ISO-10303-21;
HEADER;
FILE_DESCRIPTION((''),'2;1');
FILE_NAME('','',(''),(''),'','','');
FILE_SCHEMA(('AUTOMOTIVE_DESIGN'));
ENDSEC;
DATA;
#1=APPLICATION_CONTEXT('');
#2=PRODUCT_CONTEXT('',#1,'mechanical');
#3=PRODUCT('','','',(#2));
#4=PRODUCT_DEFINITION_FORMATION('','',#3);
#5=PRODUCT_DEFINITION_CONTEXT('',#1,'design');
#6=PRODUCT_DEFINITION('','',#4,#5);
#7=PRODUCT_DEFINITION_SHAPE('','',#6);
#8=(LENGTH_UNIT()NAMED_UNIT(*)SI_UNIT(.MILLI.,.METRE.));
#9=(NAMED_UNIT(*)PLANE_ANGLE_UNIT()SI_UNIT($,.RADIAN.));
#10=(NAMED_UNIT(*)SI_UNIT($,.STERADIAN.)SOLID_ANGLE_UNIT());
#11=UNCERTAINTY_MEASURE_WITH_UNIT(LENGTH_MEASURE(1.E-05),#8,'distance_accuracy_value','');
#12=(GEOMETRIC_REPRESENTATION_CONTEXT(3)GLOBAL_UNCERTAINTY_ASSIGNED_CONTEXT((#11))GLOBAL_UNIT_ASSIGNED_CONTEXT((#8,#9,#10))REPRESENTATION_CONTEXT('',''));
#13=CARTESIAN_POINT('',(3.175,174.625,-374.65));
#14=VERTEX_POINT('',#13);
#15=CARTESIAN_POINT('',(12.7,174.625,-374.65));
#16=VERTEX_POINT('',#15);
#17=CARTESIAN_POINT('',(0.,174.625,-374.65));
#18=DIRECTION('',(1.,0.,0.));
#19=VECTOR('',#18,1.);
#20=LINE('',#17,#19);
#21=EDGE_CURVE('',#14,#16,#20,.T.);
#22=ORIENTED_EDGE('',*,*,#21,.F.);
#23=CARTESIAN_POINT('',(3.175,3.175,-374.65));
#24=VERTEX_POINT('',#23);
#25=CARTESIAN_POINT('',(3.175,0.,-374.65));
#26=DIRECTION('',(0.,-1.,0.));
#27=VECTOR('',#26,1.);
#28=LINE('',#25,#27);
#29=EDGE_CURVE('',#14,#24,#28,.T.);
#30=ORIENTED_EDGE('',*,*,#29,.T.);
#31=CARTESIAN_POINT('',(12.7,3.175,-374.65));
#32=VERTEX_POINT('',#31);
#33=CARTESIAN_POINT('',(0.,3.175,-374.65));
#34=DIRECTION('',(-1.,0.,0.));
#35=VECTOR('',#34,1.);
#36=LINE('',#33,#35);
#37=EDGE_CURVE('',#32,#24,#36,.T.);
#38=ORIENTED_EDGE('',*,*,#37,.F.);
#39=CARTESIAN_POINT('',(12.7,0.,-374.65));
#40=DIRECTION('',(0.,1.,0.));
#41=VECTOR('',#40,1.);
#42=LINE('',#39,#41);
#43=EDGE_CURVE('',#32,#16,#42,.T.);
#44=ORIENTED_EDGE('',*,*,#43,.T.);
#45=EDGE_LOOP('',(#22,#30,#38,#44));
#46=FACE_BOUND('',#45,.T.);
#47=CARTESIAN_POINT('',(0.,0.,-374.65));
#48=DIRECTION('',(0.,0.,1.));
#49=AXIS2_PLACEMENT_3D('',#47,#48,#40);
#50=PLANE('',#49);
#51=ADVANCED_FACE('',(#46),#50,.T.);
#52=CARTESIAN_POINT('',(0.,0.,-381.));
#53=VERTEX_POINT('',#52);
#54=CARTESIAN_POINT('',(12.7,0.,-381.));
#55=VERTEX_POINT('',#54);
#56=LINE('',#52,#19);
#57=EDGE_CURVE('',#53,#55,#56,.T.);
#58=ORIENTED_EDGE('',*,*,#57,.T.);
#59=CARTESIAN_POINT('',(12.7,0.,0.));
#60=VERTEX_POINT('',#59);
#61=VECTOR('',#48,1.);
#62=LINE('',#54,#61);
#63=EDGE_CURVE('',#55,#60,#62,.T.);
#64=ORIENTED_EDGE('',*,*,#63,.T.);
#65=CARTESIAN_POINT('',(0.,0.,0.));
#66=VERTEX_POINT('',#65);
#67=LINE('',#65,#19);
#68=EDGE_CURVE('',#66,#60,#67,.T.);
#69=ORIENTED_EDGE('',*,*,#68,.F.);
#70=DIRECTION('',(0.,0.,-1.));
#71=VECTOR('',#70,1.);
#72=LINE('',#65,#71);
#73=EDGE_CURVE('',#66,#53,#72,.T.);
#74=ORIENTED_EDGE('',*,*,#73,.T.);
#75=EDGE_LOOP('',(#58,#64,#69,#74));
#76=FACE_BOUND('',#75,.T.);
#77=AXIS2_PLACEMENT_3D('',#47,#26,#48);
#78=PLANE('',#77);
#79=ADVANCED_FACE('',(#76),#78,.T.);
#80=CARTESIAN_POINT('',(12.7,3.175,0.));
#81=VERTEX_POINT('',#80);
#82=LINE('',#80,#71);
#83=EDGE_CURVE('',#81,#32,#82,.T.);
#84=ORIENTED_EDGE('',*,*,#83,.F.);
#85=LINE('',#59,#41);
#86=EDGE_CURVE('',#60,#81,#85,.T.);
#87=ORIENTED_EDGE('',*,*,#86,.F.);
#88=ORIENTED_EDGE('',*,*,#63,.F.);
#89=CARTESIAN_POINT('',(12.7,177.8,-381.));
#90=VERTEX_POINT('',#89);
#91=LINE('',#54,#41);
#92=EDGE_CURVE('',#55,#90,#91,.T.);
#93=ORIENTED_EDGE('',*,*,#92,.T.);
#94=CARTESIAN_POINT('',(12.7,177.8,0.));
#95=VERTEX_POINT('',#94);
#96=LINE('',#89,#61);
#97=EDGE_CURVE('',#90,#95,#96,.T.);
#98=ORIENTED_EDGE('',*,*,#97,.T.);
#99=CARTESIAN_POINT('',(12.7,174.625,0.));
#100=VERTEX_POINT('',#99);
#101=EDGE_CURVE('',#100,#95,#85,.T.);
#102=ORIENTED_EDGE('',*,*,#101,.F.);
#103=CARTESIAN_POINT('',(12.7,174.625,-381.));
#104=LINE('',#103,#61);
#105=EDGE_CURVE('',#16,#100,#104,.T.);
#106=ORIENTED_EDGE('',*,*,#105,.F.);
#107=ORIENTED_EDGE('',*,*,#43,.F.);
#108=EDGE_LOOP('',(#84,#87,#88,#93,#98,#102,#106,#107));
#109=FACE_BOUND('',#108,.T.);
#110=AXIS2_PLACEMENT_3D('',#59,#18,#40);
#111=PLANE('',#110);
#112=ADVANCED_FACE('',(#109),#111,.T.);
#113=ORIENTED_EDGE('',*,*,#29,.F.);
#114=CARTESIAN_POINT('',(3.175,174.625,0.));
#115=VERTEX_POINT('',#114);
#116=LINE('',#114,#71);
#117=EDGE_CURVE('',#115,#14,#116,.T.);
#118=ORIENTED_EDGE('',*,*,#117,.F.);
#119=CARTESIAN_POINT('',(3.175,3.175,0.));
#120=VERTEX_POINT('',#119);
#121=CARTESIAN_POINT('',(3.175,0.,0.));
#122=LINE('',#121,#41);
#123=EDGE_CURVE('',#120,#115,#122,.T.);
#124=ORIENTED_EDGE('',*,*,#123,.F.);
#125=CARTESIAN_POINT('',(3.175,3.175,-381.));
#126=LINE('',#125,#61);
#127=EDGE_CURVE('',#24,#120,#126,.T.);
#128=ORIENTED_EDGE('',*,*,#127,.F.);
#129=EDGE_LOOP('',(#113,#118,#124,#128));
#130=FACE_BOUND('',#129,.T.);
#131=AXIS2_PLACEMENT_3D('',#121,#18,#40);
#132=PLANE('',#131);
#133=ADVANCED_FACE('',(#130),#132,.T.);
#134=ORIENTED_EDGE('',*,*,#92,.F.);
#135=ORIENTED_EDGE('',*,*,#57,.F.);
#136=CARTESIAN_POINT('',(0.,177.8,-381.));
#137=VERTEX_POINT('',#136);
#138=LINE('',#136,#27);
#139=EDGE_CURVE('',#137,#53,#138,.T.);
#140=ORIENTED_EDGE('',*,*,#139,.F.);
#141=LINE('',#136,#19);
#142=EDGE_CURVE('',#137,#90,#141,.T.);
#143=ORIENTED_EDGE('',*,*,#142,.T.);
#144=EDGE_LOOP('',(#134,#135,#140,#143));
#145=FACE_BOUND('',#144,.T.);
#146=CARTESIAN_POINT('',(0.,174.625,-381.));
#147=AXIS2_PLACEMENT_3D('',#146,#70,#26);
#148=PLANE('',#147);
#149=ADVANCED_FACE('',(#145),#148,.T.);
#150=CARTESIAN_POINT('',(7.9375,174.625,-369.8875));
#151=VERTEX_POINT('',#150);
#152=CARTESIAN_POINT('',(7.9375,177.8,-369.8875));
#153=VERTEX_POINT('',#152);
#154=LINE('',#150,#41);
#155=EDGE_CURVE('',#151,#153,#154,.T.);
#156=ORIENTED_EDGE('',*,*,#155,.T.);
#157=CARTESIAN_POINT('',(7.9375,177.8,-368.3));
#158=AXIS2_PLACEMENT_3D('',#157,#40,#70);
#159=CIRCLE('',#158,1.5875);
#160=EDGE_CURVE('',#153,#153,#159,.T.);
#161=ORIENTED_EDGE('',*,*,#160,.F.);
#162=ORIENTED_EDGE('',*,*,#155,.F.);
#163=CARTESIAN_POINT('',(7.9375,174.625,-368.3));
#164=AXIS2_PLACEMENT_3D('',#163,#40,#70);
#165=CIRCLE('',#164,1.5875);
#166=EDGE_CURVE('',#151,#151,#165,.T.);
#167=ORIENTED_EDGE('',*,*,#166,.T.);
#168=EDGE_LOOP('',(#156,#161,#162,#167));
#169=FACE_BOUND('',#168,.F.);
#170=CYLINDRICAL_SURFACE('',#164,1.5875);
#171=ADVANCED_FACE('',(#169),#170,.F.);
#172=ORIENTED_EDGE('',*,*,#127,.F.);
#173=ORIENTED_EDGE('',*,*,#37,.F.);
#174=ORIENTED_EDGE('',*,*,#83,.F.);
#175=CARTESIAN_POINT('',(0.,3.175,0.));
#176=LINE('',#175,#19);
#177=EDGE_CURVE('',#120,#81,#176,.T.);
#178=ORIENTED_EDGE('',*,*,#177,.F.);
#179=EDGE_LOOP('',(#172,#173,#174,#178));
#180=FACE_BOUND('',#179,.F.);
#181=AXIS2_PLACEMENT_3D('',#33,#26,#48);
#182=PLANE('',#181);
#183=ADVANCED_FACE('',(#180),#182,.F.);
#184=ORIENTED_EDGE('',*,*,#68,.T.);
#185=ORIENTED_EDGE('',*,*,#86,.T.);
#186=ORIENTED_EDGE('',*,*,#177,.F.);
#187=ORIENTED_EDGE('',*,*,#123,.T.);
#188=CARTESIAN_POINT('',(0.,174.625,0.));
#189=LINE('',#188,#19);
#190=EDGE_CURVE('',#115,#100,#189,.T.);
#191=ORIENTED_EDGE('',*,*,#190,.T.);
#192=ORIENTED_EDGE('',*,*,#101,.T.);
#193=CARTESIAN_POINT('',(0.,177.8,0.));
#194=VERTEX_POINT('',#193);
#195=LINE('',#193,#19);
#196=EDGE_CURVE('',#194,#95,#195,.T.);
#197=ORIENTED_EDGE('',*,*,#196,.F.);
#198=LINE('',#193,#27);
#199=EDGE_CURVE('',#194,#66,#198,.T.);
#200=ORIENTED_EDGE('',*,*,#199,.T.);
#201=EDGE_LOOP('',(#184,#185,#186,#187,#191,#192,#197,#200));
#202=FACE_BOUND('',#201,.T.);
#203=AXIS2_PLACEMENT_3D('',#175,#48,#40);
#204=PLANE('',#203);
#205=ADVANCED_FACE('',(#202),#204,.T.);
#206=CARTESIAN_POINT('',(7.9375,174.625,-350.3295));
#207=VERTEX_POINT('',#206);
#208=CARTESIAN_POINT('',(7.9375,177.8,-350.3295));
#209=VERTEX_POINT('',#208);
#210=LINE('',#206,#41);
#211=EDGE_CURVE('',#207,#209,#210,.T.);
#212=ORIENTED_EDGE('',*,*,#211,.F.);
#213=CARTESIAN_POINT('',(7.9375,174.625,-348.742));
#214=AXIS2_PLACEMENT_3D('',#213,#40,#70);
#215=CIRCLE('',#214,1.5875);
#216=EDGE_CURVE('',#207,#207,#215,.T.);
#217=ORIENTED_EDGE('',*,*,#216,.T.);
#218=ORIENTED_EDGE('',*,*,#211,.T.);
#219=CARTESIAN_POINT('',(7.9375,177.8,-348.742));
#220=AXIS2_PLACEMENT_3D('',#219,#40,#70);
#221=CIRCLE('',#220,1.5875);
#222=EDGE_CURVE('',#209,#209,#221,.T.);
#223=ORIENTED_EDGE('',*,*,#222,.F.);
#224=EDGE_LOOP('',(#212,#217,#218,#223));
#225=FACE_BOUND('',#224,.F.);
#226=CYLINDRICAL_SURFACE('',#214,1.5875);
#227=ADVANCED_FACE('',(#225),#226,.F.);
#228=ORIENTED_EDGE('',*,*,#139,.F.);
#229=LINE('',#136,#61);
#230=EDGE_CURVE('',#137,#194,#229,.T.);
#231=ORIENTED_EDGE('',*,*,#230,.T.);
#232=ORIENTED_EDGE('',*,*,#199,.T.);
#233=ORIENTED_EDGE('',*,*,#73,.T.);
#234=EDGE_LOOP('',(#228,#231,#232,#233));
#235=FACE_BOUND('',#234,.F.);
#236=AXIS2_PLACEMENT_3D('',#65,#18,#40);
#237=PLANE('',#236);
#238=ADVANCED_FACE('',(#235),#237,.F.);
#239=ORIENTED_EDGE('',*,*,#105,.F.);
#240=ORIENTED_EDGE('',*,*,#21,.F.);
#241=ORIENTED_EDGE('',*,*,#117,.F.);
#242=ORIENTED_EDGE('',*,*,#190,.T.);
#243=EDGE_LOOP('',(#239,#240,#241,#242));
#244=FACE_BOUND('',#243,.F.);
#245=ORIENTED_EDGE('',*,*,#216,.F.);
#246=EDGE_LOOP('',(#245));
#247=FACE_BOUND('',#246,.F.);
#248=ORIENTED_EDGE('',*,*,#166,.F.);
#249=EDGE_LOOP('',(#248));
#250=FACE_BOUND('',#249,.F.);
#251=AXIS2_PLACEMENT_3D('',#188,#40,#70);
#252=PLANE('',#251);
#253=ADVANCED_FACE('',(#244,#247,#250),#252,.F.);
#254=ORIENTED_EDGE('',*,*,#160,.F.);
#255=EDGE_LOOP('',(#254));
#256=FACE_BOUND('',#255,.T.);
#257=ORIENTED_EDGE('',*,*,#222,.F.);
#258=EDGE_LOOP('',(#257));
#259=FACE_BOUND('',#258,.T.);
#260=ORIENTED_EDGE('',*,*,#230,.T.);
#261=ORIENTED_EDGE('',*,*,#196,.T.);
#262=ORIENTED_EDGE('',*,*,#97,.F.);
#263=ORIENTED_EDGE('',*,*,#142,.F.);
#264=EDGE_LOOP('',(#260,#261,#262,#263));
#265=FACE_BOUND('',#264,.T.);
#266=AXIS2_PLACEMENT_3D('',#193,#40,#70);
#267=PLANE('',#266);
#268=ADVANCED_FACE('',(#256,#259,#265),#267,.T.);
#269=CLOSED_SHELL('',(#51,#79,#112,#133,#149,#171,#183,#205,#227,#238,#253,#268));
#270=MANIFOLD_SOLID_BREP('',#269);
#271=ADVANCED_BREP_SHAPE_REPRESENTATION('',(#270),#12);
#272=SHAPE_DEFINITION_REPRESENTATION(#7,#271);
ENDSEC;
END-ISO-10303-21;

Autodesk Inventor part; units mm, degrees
ref_plane "YZ Plane" through (0, 0, 0) normal (1, 0, 0) x (0, 1, 0)
ref_plane "XZ Plane" through (0, 0, 0) normal (0, 1, 0) x (-1, 0, 0)
ref_plane "XY Plane" through (0, 0, 0) normal (0, 0, 1) x (1, 0, 0)
sketch "Sketch1" plane through (0, 0, 0) normal (1, 0, 0) x (0, 1, 0)
  line L0 (0, 0) -> (177.8, 0)
  line L1 (177.8, 0) -> (177.8, -381)
  line L2 (177.8, -381) -> (0, -381)
  line L3 (0, -381) -> (0, 0)
  line L4 (3.175, 0) -> (174.625, 0)
  line L5 (174.625, 0) -> (174.625, -381)
  line L6 (174.625, -381) -> (3.175, -381)
  line L7 (3.175, -381) -> (3.175, 0)
  line L8 (177.8, -381) -> (0, -381)
  line L9 (0, -381) -> (0, -374.65)
  line L10 (0, -374.65) -> (177.8, -374.65)
  line L11 (177.8, -374.65) -> (177.8, -381)
  dimension "d0" = 177.8
  dimension "d1" = 381
  dimension "d2" = 171.45
  dimension "d3" = 381
  dimension "d4" = 0
  dimension "d5" = 3.175
  dimension "d10" = 6.35
extrude "Extrusion1" add sketch "Sketch1" along normal blind 3.175 contours L0 L5 L10 L7 | L10 L5 L2 L7
extrude "Extrusion2" add sketch "Sketch1" along normal blind 12.7 contours L0 L7 L10 L3 | L10 L7 L2 L3 | L0 L1 L10 L5 | L10 L1 L2 L5
extrude "Extrusion3" add sketch "Sketch1" along normal blind 12.7 contours L10 L7 L2 L3 | L10 L5 L2 L7 | L10 L1 L2 L5
sketch "Sketch2" plane through (3.175, 174.625, 0) normal (0, -1, 0) x (1, 0, 0)
  line L0 (0, 0) -> (0, -374.65) projected
  line L1 (0, 0) -> (0, -368.3)
  line L2 (0, 0) -> (368.3, 0) construction
  line L3 (0, -368.3) -> (0, -348.742)
  line L4 (0, -368.3) -> (4.7625, -368.3)
  line L5 (9.525, -381) -> (9.525, 0) projected
  line L6 (0, -348.742) -> (4.7625, -348.742)
  point P0 (-3.175, 0)
  dimension "d13" = 368.3
  dimension "d14" = 90
  dimension "d15" = 19.558
  dimension "d16" = 4.7625
hole "Hole1" at (7.9375, 174.625, -368.3) at (7.9375, 174.625, -348.742) direction (0, 1, 0) diameter 3.175 depth 25.4 tip angle 118
properties part number "glifPlate"
